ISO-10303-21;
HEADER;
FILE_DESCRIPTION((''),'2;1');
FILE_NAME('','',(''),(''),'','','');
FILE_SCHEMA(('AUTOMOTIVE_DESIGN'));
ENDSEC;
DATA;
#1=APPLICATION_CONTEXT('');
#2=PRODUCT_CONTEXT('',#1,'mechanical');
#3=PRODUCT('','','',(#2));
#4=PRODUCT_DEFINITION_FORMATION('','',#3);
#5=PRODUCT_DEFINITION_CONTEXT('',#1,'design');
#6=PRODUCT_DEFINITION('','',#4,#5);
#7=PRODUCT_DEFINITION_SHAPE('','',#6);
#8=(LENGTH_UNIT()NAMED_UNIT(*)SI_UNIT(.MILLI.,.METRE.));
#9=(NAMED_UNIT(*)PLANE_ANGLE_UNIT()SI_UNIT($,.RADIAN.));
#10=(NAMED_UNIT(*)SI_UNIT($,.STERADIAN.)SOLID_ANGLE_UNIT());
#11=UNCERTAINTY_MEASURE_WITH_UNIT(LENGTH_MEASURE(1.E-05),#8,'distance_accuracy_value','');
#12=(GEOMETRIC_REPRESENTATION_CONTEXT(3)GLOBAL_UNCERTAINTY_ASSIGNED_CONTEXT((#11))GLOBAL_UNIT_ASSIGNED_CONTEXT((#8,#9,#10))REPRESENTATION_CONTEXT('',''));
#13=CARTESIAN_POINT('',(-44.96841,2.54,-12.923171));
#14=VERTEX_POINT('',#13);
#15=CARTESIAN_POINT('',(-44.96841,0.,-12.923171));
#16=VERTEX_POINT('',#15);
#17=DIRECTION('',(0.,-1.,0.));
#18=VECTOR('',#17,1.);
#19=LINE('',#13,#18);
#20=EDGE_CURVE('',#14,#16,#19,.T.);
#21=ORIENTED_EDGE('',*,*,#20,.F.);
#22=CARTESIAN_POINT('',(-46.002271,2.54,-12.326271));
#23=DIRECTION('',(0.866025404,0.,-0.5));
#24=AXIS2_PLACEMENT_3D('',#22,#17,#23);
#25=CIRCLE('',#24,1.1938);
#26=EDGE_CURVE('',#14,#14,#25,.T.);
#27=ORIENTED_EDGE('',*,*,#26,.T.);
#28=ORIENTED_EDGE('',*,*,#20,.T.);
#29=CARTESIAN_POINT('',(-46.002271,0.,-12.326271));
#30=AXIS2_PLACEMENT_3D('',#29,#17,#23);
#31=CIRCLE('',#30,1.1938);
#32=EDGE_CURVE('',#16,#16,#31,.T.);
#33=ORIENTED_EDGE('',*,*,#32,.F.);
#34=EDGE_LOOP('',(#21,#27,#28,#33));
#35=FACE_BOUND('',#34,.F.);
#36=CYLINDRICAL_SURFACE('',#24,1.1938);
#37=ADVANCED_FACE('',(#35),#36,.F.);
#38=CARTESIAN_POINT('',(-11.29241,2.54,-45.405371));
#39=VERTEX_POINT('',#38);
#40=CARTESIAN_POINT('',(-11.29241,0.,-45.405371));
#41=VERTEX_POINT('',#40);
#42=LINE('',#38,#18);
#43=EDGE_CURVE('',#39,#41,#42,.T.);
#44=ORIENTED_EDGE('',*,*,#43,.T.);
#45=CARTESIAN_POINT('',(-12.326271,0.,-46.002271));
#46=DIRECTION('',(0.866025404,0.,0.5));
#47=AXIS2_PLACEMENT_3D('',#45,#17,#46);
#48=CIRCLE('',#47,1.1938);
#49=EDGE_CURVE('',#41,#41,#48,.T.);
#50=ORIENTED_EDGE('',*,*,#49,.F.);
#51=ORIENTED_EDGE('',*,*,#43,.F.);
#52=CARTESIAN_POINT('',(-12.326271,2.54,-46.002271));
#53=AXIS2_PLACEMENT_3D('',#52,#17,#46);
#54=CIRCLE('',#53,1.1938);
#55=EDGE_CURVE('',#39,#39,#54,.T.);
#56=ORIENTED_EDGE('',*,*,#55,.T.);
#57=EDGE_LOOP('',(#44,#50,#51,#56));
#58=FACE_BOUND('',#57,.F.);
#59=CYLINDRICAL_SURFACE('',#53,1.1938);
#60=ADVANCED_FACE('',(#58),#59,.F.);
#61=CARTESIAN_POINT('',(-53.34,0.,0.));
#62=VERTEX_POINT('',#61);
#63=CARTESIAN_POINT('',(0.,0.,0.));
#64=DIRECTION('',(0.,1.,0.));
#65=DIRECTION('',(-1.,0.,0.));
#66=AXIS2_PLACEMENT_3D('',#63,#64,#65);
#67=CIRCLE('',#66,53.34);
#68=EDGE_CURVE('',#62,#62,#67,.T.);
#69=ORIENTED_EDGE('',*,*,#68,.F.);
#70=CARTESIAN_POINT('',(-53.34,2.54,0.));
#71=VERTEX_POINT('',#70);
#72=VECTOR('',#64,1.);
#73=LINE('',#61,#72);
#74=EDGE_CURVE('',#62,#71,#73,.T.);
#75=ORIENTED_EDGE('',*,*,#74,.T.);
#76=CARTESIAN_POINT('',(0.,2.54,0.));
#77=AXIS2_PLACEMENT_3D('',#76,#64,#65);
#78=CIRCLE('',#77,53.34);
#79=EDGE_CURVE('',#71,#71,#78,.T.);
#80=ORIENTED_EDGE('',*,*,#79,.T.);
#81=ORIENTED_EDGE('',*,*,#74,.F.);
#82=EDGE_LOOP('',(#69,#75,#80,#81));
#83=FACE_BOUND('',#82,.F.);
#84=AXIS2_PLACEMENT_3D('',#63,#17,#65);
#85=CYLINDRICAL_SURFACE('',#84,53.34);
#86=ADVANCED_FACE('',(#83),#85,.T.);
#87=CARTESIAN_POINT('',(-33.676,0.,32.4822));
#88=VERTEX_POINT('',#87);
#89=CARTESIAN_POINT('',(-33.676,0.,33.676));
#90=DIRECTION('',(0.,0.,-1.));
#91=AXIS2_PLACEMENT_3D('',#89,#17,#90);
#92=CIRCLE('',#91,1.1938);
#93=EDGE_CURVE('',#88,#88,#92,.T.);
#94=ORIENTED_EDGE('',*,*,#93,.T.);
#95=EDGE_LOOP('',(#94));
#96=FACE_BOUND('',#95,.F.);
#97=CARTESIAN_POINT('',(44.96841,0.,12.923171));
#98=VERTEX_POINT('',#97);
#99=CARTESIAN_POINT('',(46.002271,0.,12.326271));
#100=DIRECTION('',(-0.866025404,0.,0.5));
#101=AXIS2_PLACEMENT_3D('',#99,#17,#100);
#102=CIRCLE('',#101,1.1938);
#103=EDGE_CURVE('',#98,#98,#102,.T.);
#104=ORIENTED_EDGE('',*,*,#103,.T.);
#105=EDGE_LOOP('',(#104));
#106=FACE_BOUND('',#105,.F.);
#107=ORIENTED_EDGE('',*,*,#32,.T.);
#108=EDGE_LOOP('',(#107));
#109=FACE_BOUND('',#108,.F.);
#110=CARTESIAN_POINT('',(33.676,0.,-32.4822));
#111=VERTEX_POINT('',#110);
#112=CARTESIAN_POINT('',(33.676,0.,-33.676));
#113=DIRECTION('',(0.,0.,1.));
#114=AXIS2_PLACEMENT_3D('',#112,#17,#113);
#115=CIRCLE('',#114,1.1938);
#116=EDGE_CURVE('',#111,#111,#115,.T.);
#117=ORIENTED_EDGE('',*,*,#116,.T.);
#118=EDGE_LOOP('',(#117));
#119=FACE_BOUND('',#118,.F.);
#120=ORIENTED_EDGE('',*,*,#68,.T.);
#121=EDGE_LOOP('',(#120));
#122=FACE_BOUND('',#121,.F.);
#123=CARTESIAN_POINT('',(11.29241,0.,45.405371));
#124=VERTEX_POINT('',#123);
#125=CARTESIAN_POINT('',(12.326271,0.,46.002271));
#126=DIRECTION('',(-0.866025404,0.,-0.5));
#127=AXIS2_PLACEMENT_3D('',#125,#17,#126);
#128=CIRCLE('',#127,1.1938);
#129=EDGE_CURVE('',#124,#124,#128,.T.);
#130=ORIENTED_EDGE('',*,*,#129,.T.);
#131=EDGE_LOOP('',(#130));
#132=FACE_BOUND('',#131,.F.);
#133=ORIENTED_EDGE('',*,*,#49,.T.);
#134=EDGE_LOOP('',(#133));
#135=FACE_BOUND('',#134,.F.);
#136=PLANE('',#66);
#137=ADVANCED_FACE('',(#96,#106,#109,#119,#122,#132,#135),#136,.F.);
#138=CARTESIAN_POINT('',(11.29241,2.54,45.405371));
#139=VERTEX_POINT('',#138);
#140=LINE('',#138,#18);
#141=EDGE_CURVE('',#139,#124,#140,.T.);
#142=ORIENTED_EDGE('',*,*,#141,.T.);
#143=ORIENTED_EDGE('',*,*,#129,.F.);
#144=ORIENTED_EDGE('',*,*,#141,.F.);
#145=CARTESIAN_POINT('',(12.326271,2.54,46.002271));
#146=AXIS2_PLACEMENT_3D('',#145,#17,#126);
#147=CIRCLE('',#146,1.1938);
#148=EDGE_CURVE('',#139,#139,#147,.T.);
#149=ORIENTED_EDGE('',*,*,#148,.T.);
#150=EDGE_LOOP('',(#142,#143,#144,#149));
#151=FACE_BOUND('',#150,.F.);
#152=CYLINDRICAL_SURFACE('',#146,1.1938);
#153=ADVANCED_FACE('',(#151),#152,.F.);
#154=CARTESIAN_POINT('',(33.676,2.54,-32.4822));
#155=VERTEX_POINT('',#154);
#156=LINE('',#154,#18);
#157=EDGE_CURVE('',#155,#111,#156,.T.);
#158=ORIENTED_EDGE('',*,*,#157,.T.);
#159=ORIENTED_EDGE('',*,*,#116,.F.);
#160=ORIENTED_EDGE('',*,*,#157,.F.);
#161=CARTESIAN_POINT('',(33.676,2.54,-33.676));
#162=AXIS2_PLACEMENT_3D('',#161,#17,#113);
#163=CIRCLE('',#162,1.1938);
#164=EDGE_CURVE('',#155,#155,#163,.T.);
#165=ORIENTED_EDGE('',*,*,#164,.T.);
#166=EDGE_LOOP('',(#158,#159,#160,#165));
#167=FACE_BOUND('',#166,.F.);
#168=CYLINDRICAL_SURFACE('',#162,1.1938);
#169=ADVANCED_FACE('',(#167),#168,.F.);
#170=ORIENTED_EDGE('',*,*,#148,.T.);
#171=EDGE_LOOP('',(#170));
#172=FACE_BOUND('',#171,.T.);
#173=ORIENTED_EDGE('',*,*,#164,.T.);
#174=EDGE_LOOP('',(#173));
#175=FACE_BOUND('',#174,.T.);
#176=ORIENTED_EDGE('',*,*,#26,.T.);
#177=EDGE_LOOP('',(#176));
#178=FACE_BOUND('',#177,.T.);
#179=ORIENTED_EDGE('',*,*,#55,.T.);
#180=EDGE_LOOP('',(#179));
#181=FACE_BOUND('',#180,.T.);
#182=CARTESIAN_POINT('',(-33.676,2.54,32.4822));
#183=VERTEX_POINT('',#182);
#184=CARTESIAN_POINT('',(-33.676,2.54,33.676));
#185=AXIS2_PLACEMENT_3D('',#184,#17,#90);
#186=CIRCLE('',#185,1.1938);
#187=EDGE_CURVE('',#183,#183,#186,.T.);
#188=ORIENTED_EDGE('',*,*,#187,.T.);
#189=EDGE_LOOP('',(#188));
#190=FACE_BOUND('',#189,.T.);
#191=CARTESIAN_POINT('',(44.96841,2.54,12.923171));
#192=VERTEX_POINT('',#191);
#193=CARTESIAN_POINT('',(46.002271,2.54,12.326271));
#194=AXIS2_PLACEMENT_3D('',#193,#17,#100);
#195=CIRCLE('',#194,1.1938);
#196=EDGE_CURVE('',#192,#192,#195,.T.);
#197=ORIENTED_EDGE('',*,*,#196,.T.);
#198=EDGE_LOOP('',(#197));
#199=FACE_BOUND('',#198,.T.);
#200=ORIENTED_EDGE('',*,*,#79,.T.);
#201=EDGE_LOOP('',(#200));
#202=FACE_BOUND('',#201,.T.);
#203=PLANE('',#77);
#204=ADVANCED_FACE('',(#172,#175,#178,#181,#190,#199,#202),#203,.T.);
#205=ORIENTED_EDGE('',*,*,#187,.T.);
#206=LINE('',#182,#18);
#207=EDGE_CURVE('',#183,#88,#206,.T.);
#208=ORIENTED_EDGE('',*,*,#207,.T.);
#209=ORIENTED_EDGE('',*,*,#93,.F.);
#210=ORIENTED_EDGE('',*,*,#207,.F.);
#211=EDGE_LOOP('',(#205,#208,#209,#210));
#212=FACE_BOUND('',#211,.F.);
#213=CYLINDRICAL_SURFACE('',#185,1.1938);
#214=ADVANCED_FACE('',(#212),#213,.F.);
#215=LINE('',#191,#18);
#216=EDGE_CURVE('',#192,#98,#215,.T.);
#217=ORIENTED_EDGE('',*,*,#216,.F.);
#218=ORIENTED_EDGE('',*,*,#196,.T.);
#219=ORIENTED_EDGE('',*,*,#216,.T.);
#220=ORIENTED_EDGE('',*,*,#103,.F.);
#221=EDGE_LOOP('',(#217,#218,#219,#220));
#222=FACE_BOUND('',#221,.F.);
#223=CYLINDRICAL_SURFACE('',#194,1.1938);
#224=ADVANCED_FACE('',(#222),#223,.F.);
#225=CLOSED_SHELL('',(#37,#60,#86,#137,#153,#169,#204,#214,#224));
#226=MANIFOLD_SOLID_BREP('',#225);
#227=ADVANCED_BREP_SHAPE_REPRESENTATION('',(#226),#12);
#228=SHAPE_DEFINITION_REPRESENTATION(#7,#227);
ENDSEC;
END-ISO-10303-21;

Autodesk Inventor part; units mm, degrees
ref_plane "YZ Plane" through (0, 0, 0) normal (1, 0, 0) x (0, 1, 0)
ref_plane "XZ Plane" through (0, 0, 0) normal (0, 1, 0) x (-1, 0, 0)
ref_plane "XY Plane" through (0, 0, 0) normal (0, 0, 1) x (1, 0, 0)
sketch "Sketch1" plane through (0, 0, 0) normal (0, 1, 0) x (-1, 0, 0)
  circle A0 centre (0, 0) radius 53.34
  dimension "d0" = 106.68
extrude "Extrusion1" add sketch "Sketch1" along normal blind 2.54
sketch "Sketch2" plane through (0, 2.54, 0) normal (0, 1, 0) x (1, 0, 0)
  line L0 (0, 0) -> (33.676, 33.676) construction
  line L1 (0, 0) -> (47.625, 0) construction
  dimension "d3" = 47.625
  dimension "d4" = 45
hole "Hole1" at (33.676, 2.54, -33.676) direction (0, -1, 0) diameter 2.3876 end through all clearance for "Flat Head Machine Screw" size "M2" standard "Ansi Metric M Profile"
pattern_circular "Circular Pattern1" count 6 over 360 about axis through (0, 0, 0) along (0, 1, 0) of "Hole1"
properties part number "4K shield cover" material "Brass, Soft Yellow"
